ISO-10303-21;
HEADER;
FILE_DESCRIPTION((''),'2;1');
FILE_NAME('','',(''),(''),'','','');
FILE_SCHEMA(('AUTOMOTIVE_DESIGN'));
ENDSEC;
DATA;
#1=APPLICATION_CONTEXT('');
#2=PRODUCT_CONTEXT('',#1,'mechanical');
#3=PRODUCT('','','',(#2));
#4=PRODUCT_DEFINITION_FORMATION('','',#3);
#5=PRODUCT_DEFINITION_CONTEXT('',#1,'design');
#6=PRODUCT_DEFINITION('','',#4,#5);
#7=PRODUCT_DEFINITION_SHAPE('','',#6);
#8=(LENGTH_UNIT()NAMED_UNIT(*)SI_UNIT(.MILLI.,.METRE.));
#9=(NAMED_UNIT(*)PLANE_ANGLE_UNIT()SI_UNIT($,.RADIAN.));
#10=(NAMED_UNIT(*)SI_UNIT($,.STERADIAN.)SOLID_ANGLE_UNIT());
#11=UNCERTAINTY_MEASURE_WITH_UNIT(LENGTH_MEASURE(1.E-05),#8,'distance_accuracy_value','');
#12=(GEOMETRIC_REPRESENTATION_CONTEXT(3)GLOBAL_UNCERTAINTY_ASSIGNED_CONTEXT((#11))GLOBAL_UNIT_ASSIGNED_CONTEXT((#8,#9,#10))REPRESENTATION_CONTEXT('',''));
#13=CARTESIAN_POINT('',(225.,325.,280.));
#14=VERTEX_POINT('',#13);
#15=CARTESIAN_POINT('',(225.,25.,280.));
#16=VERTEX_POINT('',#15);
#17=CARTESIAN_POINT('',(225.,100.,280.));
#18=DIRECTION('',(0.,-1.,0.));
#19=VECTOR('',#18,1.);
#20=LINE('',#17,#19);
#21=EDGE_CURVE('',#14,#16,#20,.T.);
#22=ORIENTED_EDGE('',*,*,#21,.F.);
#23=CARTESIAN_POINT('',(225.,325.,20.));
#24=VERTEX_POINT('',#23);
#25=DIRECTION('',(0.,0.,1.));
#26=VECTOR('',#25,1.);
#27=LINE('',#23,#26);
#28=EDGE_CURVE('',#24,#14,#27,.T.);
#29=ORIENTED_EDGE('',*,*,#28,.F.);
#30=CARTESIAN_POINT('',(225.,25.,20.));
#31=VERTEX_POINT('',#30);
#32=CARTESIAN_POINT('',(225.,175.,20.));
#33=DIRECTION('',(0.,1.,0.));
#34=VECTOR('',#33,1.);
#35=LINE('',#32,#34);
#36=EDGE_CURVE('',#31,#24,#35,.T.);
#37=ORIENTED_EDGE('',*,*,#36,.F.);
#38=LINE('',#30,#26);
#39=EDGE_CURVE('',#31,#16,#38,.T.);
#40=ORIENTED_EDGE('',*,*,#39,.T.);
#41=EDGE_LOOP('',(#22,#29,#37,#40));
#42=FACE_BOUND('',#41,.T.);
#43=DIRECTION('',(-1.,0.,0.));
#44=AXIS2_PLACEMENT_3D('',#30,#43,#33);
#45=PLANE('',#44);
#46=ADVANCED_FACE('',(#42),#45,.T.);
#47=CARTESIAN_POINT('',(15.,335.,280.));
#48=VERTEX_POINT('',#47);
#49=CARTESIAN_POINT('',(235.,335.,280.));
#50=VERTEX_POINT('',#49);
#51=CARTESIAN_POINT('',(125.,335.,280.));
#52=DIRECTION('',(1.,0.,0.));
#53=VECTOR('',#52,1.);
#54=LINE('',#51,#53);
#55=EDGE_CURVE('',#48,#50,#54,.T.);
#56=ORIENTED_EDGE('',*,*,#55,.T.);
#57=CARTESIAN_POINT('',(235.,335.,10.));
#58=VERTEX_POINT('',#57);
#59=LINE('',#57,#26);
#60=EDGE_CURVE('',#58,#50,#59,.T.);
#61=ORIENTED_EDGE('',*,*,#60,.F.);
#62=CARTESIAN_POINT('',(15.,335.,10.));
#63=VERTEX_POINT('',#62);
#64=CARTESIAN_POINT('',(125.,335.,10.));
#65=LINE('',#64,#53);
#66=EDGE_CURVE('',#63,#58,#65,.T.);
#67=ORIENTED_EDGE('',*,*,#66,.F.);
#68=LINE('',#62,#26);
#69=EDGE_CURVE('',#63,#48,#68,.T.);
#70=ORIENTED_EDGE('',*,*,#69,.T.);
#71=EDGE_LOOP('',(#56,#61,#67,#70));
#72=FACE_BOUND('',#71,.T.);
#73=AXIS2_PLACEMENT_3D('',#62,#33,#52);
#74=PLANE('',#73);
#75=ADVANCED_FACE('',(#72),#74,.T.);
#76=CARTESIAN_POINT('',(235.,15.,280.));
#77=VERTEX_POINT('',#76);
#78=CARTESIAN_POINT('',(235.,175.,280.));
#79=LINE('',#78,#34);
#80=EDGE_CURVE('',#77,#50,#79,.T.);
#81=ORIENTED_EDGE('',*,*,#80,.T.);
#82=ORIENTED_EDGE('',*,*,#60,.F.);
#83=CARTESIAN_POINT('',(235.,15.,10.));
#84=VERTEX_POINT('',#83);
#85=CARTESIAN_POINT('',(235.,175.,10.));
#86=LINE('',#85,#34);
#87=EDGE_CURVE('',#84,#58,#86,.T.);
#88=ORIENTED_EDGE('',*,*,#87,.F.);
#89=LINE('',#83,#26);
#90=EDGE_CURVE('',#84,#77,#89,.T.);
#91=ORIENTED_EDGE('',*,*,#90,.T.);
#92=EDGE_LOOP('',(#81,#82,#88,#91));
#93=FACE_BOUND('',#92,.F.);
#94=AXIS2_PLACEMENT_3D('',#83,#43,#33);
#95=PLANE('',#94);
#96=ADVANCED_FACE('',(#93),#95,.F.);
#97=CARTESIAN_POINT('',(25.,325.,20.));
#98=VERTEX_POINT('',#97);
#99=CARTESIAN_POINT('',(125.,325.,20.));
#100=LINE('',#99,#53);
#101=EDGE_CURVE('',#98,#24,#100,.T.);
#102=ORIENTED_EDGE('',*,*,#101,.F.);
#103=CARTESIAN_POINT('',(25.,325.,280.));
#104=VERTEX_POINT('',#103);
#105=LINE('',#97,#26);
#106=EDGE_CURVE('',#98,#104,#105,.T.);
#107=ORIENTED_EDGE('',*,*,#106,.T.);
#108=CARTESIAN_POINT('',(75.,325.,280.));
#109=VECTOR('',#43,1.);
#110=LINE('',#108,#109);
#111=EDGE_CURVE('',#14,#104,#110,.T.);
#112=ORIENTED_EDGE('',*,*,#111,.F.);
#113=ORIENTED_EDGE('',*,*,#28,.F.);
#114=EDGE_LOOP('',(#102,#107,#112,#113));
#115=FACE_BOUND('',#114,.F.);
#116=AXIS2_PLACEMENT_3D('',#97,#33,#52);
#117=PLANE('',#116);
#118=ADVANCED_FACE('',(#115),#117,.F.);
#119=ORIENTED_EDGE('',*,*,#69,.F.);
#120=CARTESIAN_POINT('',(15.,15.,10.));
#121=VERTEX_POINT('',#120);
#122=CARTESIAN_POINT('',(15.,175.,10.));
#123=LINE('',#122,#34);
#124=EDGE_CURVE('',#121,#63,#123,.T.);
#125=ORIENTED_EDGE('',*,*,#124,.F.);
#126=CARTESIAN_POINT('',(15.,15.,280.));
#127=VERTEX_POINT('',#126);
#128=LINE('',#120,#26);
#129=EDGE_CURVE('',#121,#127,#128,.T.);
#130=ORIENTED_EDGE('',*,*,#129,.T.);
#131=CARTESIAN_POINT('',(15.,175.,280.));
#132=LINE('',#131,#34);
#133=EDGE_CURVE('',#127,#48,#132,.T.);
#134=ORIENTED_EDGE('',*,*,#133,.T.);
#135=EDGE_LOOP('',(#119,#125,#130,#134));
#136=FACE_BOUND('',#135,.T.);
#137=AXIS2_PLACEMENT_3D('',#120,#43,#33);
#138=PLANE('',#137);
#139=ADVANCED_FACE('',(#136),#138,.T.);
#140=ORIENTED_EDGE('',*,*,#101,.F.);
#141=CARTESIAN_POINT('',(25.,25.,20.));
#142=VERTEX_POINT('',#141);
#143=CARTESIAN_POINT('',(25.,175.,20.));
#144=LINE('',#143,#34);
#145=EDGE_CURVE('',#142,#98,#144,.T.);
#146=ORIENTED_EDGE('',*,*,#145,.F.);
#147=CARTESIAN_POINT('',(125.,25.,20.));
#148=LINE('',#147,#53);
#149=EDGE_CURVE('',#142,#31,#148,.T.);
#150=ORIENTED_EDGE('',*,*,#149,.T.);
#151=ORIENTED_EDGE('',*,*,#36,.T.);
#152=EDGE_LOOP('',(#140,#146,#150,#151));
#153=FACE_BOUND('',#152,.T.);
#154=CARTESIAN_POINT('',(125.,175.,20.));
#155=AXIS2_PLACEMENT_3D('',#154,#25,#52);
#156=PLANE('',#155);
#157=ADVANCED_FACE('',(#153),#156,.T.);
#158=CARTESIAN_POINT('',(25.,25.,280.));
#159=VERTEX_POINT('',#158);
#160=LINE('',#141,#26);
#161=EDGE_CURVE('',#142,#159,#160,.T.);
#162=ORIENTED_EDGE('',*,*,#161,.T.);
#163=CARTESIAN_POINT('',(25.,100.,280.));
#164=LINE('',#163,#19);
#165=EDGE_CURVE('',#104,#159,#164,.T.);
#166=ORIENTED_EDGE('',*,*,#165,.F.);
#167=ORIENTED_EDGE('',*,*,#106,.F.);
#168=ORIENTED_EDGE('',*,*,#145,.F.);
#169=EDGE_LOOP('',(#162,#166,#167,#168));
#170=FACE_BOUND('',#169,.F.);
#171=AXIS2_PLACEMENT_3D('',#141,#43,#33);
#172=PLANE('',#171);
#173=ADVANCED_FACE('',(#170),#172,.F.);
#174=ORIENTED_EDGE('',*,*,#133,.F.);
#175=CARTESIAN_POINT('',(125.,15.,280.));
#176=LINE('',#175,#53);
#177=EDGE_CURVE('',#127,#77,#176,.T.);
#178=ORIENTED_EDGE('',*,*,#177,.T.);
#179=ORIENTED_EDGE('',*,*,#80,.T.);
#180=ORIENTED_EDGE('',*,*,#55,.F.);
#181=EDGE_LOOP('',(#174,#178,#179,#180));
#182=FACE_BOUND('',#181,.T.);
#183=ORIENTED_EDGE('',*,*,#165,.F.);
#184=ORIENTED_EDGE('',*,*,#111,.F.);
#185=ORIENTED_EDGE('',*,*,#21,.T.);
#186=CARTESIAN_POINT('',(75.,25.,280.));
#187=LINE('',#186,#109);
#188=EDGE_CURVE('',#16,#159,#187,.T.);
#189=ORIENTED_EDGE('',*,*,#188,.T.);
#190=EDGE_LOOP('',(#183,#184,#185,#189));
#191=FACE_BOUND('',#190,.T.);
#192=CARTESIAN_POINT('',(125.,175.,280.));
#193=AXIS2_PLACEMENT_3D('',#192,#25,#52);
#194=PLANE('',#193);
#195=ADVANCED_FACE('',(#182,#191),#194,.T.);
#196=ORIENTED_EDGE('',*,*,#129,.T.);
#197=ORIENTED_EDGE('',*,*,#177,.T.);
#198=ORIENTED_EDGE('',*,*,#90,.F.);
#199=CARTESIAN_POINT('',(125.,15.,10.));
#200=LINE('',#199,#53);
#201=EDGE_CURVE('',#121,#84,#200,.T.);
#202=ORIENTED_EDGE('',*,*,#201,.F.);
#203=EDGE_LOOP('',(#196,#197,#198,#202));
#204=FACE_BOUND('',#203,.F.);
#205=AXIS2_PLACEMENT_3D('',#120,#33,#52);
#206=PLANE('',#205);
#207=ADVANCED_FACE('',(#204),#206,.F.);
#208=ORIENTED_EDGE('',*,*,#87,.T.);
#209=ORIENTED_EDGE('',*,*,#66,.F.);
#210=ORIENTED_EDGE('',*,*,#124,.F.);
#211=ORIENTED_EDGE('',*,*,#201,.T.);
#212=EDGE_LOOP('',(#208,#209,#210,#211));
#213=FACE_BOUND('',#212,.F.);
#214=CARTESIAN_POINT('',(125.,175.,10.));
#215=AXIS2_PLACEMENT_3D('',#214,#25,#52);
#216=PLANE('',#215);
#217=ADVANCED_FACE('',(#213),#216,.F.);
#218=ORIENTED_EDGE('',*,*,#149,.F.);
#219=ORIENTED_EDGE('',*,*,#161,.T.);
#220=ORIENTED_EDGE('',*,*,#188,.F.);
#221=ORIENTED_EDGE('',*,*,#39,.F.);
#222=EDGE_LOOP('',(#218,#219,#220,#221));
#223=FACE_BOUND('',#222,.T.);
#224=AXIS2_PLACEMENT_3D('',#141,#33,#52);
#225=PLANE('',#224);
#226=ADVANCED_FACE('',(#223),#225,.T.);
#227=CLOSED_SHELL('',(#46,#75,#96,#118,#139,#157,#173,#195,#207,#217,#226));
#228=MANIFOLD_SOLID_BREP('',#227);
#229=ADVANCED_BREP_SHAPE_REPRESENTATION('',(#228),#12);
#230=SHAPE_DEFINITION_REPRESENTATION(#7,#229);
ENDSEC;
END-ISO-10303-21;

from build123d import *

# Parameters (mm, degrees)
BOX002_W     = 200
BOX002_H     = 300
BOX002_DEPTH = 290
BOX006_W     = 220
BOX006_H     = 320
BOX006_DEPTH = 270


with BuildPart() as akku_box:
    # Box002 → Box002 (new body)
    with BuildSketch(Plane(origin=(25, 25, 20), x_dir=(1, 0, 0), z_dir=(0, 0, 1))):
        with Locations((100, 150)):
            Rectangle(BOX002_W, BOX002_H)
    extrude(amount=BOX002_DEPTH)


with BuildPart() as akku_pack:
    # Box006 → Box006 (new body)
    with BuildSketch(Plane(origin=(15, 15, 10), x_dir=(1, 0, 0), z_dir=(0, 0, 1))):
        with Locations((110, 160)):
            Rectangle(BOX006_W, BOX006_H)
    extrude(amount=BOX006_DEPTH)

    # Cut003: cut Akku_box
    add(akku_box.part, mode=Mode.SUBTRACT)


solid = akku_pack.part
